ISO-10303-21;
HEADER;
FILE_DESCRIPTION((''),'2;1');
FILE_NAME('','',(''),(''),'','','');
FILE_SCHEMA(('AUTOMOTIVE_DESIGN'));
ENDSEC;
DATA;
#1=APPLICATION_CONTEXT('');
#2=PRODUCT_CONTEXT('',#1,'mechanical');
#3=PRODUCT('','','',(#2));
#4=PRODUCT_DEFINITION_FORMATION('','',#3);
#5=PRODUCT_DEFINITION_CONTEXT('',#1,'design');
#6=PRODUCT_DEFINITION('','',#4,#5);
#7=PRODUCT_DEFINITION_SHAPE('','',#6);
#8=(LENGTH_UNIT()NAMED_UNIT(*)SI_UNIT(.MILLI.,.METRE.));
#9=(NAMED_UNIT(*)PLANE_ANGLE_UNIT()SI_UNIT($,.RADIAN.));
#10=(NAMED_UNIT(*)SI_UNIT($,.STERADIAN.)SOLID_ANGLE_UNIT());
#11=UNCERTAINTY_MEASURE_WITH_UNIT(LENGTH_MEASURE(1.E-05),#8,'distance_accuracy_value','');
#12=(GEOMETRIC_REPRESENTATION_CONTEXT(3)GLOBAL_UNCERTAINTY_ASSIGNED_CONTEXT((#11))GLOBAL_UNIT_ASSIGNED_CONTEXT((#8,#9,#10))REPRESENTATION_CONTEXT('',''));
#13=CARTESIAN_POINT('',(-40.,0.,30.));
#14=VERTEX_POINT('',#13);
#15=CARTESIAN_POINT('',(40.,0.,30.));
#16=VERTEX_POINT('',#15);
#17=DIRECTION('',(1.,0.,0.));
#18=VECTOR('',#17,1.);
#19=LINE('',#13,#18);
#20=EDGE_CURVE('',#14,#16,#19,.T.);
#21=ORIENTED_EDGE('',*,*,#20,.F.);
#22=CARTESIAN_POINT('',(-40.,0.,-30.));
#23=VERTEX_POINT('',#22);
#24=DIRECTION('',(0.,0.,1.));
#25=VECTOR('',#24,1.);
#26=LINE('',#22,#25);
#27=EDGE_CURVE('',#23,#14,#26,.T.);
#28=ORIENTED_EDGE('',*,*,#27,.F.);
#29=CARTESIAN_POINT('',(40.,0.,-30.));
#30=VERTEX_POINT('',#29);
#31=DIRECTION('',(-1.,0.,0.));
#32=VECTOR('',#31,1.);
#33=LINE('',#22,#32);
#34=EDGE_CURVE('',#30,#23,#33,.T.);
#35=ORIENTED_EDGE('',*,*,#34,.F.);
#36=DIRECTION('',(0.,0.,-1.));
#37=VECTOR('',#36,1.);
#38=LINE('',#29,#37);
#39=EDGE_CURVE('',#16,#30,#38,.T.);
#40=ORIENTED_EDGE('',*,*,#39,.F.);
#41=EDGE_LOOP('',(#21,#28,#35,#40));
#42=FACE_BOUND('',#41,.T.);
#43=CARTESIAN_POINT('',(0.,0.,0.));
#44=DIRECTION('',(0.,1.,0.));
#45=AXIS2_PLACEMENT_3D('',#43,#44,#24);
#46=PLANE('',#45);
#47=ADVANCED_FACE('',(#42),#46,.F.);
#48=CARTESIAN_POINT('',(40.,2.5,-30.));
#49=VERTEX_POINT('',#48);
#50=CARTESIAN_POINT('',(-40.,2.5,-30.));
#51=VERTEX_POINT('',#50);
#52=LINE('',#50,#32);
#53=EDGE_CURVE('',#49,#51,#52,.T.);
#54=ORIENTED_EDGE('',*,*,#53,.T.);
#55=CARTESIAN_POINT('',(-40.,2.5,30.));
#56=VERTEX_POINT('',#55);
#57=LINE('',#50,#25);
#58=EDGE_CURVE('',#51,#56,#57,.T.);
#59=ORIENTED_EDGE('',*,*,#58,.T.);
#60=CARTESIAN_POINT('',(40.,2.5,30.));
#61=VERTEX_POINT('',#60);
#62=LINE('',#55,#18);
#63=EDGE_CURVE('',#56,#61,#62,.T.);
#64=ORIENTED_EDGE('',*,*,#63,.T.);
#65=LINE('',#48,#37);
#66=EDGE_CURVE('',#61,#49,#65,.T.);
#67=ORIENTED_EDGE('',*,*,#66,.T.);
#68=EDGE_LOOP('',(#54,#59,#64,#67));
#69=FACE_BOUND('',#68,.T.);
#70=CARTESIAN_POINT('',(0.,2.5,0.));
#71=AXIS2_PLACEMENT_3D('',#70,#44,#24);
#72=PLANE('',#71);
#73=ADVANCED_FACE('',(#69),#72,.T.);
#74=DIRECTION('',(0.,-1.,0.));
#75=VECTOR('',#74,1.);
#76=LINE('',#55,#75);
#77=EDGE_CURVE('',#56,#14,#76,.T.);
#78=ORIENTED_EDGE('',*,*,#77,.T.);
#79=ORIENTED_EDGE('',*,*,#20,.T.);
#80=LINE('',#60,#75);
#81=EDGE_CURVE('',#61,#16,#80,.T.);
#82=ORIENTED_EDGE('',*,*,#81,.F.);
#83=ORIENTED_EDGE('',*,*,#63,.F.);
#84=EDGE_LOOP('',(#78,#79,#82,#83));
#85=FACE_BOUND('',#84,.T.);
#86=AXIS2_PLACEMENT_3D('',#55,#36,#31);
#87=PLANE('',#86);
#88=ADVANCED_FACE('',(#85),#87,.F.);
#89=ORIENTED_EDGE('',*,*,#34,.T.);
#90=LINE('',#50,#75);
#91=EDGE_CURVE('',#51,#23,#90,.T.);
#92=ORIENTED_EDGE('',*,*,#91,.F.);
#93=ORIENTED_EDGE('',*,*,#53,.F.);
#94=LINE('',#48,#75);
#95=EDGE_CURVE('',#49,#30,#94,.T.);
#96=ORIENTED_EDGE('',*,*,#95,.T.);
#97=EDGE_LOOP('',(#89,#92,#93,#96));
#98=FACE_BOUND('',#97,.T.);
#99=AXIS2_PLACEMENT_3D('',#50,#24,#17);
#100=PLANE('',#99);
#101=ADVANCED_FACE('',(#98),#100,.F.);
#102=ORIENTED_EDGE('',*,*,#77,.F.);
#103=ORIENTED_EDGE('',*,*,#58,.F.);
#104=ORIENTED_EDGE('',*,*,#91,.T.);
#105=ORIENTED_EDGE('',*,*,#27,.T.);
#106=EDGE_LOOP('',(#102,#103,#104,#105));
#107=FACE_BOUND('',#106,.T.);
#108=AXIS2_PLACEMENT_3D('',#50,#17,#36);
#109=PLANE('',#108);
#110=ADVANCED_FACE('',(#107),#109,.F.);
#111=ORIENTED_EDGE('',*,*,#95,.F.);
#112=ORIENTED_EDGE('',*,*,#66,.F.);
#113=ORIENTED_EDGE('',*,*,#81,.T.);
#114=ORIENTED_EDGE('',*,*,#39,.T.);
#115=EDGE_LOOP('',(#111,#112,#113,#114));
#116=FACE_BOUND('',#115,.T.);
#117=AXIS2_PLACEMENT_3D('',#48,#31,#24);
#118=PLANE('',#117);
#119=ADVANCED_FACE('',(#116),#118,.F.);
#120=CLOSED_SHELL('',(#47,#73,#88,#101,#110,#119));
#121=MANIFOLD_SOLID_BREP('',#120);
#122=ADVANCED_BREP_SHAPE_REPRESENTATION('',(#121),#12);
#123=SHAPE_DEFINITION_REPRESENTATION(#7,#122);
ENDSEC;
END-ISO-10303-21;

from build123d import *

# Parameters (mm, degrees)
SKETCH_1_W      = 80
SKETCH_1_H      = 60
EXTRUDE_1_DEPTH = 2.5


with BuildPart() as part:
    # Эскиз1 → Бобышка-Вытянуть1 (new body)
    with BuildSketch(Plane(origin=(0, 0, 0), x_dir=(1, 0, 0), z_dir=(0, 1, 0))):
        Rectangle(SKETCH_1_W, SKETCH_1_H)
    extrude(amount=EXTRUDE_1_DEPTH)


solid = part.part
